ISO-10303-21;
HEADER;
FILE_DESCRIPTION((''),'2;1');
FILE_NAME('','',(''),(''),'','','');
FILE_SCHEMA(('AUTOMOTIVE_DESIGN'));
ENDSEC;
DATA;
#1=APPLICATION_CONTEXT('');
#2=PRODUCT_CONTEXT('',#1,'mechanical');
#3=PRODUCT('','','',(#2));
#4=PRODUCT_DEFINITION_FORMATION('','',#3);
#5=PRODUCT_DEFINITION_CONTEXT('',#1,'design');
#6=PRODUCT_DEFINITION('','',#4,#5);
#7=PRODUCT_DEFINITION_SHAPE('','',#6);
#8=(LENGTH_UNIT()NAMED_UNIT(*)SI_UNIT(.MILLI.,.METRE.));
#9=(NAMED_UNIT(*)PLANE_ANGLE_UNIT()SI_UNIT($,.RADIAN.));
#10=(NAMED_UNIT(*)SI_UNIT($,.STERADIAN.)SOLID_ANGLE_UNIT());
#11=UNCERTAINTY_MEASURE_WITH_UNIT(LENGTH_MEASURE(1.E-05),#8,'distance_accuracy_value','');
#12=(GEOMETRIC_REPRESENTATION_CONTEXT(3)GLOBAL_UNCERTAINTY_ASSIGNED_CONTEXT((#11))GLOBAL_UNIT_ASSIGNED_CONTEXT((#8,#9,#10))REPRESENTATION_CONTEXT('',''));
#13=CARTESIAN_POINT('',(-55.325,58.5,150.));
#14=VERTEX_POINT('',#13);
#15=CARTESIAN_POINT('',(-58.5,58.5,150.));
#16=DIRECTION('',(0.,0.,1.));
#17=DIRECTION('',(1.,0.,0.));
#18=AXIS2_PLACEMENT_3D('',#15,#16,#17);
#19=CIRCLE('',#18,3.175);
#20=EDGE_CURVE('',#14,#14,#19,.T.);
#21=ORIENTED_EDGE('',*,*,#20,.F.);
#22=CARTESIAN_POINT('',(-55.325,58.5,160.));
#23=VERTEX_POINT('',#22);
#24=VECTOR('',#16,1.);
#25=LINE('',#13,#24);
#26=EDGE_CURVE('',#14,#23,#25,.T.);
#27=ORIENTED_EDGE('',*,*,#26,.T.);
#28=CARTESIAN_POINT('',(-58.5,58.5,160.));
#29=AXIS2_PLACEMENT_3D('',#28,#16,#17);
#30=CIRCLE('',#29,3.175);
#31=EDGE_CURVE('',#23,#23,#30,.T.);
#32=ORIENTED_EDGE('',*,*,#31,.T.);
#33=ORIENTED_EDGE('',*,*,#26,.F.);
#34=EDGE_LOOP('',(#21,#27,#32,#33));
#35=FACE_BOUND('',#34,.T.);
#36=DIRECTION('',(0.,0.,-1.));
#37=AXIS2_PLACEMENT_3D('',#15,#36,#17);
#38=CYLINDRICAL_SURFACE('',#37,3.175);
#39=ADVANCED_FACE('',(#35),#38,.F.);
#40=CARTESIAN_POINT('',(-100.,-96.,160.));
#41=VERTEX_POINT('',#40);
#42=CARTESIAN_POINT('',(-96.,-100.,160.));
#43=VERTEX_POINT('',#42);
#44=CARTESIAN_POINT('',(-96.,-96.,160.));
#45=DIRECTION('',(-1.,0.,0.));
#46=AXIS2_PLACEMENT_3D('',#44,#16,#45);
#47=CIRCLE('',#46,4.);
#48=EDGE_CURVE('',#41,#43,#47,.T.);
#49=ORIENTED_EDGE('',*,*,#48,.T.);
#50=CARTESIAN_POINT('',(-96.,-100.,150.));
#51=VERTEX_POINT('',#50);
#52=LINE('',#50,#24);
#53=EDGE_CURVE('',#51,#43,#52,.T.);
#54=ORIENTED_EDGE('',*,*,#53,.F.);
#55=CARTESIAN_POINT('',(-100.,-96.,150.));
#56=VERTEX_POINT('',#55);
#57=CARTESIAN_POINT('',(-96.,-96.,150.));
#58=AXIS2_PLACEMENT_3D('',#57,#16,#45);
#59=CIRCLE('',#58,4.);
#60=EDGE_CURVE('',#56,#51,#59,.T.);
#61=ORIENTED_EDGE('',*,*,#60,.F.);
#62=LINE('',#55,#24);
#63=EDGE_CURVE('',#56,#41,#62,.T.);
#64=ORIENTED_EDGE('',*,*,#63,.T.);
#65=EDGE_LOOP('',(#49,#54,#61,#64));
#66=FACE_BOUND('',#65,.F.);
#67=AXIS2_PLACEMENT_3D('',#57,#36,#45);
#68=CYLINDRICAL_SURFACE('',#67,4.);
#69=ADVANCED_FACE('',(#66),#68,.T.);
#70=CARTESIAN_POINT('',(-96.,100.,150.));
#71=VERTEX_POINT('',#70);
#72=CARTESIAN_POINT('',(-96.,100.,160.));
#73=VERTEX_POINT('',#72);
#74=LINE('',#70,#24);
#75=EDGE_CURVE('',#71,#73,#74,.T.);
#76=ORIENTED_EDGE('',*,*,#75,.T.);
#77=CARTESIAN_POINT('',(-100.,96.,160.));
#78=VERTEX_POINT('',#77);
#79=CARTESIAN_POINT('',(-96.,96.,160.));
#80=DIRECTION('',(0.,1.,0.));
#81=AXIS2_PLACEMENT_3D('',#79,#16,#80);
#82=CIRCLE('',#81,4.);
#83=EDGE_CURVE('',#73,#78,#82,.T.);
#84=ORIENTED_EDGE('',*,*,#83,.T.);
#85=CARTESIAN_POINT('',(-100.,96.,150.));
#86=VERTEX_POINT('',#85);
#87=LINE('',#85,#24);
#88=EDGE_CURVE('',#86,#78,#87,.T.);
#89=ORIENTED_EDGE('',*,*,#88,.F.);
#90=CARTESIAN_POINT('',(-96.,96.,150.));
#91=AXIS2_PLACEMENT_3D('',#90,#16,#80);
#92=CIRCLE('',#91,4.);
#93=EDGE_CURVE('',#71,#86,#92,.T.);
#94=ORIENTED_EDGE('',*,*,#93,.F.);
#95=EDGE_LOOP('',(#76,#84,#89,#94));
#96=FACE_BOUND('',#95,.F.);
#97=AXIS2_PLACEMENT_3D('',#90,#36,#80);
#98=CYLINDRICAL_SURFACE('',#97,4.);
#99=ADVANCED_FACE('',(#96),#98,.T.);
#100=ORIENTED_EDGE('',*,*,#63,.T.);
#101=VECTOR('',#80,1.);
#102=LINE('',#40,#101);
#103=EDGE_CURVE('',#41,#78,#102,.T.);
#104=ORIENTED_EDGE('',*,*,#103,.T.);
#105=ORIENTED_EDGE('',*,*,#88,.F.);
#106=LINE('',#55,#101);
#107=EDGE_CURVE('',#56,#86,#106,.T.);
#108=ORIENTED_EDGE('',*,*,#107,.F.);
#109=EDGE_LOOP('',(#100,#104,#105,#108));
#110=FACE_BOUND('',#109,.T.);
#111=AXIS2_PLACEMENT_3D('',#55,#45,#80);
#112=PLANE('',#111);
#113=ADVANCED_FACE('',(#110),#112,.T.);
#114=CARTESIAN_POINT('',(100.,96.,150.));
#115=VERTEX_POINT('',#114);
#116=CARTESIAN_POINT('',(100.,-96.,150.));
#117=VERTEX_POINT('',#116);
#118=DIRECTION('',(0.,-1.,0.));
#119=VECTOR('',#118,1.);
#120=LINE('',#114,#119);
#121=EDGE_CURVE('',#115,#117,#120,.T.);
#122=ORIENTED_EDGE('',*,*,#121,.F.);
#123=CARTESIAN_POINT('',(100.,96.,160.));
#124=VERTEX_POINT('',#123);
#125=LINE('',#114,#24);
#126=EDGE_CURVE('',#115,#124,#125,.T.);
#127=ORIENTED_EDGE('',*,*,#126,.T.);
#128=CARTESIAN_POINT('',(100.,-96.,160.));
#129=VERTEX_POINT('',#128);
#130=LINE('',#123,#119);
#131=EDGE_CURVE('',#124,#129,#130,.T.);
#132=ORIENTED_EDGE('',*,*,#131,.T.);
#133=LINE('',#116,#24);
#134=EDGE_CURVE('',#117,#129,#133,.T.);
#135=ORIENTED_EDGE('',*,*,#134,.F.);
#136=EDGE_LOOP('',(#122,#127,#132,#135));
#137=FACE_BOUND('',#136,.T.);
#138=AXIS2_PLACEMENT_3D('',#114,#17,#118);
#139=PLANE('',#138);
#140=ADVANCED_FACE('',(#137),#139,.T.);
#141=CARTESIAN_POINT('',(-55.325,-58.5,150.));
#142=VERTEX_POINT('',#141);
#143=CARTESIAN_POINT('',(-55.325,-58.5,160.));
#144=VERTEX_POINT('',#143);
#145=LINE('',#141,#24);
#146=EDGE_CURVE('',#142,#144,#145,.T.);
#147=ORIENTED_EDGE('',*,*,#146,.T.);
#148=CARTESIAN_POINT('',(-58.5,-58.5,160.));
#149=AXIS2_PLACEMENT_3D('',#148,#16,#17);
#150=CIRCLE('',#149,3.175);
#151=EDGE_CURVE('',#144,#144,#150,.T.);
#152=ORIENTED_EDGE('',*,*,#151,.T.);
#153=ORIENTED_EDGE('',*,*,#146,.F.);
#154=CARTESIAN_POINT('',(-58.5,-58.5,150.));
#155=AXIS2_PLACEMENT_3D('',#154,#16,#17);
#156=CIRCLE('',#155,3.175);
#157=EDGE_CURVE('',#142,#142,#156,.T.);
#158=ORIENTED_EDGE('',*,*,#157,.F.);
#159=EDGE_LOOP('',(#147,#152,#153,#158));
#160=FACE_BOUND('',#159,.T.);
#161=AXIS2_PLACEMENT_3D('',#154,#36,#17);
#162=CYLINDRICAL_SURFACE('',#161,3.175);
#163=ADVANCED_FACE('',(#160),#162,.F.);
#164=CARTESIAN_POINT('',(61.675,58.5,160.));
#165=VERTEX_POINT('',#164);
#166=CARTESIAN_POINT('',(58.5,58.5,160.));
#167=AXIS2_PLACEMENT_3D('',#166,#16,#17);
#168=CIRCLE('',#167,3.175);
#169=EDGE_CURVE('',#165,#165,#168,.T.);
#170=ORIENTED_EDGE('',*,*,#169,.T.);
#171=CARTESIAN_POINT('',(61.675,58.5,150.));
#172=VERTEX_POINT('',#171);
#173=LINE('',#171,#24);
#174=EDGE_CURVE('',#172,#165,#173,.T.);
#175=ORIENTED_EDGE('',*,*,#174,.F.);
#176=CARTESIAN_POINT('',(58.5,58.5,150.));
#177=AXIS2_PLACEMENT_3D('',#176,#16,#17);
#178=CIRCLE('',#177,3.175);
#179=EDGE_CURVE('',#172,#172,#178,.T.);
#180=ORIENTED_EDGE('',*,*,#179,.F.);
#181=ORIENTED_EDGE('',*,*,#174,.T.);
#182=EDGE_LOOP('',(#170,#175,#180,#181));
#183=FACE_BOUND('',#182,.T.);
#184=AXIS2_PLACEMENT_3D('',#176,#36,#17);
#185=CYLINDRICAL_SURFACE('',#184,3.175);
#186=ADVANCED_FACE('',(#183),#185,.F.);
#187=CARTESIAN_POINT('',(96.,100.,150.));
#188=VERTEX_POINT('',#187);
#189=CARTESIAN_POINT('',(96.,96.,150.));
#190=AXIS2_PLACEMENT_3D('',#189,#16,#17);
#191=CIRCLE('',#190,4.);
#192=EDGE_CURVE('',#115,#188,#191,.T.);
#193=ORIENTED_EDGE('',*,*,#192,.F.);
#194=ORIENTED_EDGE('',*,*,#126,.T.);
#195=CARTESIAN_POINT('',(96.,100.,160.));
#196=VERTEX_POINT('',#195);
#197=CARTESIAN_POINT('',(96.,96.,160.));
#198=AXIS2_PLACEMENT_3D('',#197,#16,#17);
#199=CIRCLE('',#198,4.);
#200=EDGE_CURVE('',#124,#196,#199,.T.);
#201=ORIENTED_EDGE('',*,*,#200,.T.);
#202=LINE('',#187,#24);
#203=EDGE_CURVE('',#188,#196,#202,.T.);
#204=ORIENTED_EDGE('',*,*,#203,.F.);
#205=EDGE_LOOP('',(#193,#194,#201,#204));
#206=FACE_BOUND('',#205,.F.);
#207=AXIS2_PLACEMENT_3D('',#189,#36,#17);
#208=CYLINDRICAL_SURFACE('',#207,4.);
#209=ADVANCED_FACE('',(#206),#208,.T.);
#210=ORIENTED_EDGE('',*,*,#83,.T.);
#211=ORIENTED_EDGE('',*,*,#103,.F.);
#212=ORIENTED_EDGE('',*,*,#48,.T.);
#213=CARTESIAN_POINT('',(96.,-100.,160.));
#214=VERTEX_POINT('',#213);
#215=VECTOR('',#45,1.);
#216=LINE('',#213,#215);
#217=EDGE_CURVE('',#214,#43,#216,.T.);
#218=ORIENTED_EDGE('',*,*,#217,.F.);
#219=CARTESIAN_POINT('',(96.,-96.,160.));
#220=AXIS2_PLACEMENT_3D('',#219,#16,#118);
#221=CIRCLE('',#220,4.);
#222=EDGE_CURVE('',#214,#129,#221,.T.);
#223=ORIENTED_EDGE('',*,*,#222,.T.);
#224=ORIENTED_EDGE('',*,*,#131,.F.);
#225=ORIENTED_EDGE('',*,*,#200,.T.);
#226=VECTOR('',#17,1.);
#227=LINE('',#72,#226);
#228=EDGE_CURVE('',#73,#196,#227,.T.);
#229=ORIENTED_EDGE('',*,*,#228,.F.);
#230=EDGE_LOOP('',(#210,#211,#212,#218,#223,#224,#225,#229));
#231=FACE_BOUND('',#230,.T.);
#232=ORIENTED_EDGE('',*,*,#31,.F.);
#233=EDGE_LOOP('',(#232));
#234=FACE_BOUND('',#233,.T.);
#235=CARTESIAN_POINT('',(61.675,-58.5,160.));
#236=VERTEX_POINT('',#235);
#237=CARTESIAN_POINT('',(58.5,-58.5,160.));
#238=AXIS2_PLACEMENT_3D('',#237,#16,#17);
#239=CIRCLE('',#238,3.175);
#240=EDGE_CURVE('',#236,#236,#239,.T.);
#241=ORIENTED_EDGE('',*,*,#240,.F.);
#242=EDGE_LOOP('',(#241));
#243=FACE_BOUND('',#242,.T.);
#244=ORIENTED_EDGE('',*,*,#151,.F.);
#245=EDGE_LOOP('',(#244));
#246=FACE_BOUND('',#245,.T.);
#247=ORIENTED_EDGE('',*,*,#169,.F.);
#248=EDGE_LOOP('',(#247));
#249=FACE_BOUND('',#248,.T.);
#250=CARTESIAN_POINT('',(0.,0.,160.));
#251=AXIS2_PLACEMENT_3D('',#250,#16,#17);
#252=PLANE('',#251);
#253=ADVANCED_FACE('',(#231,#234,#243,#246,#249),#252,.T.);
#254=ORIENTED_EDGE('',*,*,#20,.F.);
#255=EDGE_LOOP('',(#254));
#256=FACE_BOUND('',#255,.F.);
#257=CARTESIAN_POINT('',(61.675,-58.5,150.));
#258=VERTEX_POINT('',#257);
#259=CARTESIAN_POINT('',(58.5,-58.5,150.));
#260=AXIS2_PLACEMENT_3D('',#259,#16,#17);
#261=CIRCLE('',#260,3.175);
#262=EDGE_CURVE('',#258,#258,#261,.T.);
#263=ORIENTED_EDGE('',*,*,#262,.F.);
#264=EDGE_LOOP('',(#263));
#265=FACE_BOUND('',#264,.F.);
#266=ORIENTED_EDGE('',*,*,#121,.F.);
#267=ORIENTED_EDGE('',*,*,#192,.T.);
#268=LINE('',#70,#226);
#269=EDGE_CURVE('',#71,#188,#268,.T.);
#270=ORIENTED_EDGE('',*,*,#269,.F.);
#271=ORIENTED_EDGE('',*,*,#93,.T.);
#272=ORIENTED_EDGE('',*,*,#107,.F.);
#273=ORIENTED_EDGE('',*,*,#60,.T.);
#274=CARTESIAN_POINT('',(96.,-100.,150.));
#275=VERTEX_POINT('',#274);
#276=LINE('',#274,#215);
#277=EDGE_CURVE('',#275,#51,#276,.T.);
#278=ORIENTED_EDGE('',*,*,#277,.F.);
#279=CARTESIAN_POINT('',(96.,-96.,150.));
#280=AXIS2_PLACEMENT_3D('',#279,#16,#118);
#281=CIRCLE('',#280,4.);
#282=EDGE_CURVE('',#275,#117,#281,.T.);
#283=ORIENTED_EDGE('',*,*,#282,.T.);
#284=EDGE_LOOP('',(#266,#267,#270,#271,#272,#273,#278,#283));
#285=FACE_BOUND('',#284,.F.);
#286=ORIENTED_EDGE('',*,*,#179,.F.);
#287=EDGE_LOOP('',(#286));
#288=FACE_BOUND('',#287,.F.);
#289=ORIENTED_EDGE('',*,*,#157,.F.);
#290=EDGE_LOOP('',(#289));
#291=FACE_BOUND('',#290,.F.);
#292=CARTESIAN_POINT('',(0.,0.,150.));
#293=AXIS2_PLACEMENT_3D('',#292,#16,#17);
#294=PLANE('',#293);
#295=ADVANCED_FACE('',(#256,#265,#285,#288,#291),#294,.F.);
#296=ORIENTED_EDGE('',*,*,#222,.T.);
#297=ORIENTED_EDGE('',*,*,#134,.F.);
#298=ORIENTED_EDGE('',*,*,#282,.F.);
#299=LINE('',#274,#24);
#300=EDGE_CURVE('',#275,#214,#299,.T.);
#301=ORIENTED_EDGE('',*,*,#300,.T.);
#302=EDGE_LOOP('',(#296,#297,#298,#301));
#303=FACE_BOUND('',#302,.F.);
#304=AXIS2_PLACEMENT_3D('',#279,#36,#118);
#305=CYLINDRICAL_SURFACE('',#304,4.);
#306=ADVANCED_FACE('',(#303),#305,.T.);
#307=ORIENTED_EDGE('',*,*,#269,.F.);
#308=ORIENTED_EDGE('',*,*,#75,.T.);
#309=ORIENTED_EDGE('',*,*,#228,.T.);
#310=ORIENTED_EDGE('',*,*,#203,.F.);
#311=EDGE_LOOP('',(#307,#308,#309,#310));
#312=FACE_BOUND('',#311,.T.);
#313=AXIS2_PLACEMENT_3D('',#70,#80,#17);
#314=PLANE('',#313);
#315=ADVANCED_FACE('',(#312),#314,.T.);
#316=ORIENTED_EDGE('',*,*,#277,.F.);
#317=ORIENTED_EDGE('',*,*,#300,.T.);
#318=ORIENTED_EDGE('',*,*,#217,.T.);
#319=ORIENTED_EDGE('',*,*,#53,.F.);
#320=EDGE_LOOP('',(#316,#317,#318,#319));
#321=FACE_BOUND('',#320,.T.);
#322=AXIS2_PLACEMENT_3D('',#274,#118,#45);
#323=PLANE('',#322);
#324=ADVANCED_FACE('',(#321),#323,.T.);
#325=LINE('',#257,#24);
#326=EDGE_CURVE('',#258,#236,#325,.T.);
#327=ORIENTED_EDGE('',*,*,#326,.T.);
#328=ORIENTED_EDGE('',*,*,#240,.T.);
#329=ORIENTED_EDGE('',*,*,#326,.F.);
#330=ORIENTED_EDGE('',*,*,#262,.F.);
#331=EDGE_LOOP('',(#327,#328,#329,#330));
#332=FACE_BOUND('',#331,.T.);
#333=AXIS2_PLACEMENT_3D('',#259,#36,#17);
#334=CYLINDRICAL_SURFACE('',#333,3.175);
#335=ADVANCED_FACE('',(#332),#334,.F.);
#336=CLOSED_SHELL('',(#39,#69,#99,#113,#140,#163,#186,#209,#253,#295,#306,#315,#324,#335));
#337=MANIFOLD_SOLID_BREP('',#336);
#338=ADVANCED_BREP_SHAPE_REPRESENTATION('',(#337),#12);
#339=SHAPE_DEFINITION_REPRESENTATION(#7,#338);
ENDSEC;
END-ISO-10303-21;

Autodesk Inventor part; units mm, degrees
ref_plane "YZ Plane" through (0, 0, 0) normal (1, 0, 0) x (0, 1, 0)
ref_plane "XZ Plane" through (0, 0, 0) normal (0, 1, 0) x (-1, 0, 0)
ref_plane "XY Plane" through (0, 0, 0) normal (0, 0, 1) x (1, 0, 0)
ref_plane "Plano de trabajo1" through (0, 0, 150) normal (0, 0, 1) x (1, 0, 0)
sketch "Boceto1" plane through (0, 0, 150) normal (0, 0, 1) x (1, 0, 0)
  line L0 (-96, 100) -> (96, 100)
  line L1 (100, 96) -> (100, -96)
  line L2 (96, -100) -> (-96, -100)
  line L3 (-100, -96) -> (-100, 96)
  line L4 (-100, 100) -> (100, -100) construction
  line L5 (100, 100) -> (-100, -100) construction
  arc A0 (100, 96) -> (96, 100) centre (96, 96) ccw
  arc A1 (-96, 100) -> (-100, 96) centre (-96, 96) ccw
  arc A2 (-100, -96) -> (-96, -100) centre (-96, -96) ccw
  arc A3 (96, -100) -> (100, -96) centre (96, -96) ccw
  circle A4 centre (58.5, 58.5) radius 3.175 projected
  circle A5 centre (-58.5, 58.5) radius 3.175 projected
  circle A6 centre (-58.5, -58.5) radius 3.175 projected
  circle A7 centre (58.5, -58.5) radius 3.175 projected
  point P0 (0, 0)
  dimension "d0" = 200
  dimension "d1" = 200
  dimension "d2" = 4
extrude "Extrusión1" add sketch "Boceto1" along normal blind 10
properties part number "TablaSoporte2" material "Madera (abedul)"
